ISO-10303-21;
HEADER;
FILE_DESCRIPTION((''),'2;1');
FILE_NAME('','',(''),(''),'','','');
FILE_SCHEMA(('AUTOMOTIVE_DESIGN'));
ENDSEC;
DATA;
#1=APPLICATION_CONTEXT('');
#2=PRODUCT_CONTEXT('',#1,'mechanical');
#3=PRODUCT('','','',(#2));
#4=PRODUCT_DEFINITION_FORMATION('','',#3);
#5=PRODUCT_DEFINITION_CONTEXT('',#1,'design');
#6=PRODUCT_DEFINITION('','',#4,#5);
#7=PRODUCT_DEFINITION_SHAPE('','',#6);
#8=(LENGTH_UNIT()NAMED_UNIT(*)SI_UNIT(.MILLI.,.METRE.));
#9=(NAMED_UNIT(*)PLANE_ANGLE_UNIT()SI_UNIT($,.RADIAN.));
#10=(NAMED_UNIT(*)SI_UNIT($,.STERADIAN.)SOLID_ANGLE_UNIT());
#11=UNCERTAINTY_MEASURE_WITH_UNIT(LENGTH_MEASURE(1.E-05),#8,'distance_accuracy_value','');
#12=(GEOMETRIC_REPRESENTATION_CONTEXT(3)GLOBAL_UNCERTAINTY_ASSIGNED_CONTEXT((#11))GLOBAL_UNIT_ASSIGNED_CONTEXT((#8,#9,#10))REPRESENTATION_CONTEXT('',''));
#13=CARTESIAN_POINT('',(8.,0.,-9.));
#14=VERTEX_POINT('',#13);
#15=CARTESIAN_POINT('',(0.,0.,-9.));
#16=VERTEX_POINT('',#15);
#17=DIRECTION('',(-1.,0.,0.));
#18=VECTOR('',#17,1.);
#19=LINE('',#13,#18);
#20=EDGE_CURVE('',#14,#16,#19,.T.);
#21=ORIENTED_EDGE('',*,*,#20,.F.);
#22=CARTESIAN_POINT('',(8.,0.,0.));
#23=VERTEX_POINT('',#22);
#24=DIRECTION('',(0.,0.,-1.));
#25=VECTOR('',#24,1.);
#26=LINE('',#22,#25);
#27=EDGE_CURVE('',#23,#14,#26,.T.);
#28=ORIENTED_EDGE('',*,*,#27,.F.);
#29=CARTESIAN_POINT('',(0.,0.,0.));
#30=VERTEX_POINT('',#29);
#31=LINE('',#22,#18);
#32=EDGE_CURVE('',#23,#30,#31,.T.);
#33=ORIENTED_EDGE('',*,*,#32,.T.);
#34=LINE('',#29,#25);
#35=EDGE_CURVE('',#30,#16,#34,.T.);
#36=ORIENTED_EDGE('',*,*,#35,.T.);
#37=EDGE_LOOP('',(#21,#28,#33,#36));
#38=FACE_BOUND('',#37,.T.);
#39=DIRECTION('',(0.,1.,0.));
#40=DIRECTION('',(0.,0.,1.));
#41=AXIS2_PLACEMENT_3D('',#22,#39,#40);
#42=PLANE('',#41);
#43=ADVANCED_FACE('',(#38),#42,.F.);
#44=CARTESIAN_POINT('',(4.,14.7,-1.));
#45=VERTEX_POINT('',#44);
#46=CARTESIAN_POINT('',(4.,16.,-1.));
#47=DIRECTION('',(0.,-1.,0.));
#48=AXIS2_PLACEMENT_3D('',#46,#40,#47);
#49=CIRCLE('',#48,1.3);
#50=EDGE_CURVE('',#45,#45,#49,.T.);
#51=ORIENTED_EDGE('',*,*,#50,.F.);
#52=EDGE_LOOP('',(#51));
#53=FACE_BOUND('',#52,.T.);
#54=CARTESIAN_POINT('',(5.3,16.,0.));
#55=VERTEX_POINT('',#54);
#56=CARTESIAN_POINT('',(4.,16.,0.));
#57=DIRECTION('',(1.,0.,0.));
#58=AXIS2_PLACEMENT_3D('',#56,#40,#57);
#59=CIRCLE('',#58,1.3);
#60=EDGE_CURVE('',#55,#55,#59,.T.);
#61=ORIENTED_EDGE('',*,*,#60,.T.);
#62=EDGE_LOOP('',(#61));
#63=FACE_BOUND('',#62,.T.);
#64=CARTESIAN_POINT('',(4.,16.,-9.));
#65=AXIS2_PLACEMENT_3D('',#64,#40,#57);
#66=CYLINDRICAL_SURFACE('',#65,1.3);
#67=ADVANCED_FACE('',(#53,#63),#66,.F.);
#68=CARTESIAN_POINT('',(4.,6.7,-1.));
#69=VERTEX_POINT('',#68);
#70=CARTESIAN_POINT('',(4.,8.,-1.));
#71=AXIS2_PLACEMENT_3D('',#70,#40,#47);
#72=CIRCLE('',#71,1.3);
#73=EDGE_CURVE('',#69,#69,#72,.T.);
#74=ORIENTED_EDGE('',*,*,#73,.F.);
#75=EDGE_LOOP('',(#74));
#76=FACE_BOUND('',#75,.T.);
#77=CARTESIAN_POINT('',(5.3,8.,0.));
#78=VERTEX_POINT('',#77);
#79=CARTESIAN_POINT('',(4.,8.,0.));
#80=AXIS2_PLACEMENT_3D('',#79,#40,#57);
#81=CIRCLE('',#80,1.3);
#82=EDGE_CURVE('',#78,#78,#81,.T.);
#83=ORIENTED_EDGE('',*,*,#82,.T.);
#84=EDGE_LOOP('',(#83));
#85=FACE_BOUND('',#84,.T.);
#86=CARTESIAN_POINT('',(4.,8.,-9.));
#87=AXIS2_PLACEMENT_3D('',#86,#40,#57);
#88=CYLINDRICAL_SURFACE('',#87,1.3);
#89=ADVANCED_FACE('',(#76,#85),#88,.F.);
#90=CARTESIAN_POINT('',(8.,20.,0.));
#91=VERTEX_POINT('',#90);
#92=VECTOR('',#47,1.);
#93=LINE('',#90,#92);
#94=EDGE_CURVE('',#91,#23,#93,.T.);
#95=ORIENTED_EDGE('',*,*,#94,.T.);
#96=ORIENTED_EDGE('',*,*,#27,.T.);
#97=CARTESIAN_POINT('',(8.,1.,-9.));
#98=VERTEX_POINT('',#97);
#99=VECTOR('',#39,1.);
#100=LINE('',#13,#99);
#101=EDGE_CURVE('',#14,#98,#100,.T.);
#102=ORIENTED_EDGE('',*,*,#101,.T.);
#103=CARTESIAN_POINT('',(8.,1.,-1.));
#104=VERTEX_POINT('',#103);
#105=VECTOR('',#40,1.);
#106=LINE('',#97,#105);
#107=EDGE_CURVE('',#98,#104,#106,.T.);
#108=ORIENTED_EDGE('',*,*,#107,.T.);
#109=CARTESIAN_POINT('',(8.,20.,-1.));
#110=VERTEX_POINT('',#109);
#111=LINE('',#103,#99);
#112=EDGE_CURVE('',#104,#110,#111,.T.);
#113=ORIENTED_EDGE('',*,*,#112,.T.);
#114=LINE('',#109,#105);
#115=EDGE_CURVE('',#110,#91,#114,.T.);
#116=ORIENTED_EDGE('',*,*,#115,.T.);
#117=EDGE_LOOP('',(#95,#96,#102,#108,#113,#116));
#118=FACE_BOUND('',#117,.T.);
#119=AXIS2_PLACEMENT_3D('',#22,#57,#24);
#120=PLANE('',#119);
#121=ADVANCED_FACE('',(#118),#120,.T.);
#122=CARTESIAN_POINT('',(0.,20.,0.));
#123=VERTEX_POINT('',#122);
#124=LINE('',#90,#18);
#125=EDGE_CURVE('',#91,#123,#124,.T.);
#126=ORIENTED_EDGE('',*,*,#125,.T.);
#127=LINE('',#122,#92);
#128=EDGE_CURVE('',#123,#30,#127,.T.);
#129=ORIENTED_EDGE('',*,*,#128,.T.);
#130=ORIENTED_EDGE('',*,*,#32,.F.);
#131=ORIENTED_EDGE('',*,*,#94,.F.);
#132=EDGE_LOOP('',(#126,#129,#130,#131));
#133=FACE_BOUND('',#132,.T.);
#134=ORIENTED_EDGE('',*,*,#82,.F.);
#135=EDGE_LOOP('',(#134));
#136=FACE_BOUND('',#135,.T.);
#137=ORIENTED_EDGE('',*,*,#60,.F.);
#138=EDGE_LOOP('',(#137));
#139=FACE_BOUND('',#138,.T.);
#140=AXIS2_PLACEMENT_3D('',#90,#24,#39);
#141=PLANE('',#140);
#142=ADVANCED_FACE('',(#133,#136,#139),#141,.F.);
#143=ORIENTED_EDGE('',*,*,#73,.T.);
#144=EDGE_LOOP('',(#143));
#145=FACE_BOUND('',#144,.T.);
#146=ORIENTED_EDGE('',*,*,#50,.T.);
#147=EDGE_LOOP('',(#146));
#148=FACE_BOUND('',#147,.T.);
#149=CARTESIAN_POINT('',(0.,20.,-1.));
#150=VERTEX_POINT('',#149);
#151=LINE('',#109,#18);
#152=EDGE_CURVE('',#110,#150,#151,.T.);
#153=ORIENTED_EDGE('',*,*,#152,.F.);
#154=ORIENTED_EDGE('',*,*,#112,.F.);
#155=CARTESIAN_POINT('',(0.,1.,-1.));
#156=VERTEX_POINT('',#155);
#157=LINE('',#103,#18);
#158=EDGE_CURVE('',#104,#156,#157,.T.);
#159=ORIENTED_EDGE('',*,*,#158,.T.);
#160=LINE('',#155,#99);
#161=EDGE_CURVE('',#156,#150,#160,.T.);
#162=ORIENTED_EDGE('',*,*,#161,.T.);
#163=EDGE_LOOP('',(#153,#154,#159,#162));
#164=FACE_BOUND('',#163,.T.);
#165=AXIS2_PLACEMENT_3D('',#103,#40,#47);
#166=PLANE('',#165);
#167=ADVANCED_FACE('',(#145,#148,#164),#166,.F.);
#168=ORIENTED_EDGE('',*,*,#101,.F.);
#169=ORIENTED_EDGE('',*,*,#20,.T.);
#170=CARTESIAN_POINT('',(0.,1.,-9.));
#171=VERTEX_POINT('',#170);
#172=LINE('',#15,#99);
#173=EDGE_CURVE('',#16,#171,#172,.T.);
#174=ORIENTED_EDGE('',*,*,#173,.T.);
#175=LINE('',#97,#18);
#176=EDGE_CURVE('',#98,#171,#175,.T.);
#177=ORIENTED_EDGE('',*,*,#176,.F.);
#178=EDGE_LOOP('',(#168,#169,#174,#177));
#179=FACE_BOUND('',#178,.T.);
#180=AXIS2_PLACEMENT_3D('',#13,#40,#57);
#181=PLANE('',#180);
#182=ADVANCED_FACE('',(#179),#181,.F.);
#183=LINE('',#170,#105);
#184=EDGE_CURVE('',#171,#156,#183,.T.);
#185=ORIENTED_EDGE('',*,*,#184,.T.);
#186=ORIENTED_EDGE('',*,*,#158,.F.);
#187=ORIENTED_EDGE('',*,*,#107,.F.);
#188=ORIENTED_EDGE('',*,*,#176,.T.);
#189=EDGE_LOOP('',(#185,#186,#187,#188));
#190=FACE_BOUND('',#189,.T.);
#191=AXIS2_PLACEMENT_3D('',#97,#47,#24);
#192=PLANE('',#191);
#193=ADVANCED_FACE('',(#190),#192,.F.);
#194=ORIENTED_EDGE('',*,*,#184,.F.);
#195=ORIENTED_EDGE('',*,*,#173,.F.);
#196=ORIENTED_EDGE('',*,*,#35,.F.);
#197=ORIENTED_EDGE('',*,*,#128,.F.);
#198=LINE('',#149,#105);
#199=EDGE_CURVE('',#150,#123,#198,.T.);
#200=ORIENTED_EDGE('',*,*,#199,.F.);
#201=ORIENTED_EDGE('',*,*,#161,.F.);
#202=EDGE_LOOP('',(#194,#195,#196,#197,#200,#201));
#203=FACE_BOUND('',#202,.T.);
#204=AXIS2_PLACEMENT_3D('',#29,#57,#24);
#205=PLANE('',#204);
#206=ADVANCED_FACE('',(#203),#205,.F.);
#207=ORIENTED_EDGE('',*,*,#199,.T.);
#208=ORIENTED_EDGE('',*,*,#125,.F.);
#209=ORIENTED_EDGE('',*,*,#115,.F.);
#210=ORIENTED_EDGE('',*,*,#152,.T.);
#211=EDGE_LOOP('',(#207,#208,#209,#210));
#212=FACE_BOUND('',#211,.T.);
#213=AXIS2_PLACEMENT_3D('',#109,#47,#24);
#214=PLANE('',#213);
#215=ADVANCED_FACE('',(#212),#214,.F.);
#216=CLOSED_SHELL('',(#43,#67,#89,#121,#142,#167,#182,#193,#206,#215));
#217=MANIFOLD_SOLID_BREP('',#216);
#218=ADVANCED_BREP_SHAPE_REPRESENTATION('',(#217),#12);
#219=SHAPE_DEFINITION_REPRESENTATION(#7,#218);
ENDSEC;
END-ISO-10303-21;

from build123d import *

# Parameters (mm, degrees)
EXTRUDE_1_DEPTH     = 8
SKETCH_2_R          = 1.3
CUT_EXTRUDE_1_DEPTH = 24.34523506


with BuildPart() as part:
    # 草圖1 → 填料-伸長1 (new body)
    with BuildSketch(Plane(origin=(0, 0, 0), x_dir=(0, 0, -1), z_dir=(1, 0, 0))):
        Polygon((0, 0), (9, 0), (9, 1), (1, 1), (1, 20), (0, 20), align=None)
    extrude(amount=EXTRUDE_1_DEPTH)

    # 草圖2 → 除料-伸長1 (cut, through all)
    with BuildSketch(Plane.XY):
        with Locations((4, 16)):
            Circle(SKETCH_2_R)
        with Locations((4, 8)):
            Circle(SKETCH_2_R)
    extrude(amount=-CUT_EXTRUDE_1_DEPTH, mode=Mode.SUBTRACT)


solid = part.part
